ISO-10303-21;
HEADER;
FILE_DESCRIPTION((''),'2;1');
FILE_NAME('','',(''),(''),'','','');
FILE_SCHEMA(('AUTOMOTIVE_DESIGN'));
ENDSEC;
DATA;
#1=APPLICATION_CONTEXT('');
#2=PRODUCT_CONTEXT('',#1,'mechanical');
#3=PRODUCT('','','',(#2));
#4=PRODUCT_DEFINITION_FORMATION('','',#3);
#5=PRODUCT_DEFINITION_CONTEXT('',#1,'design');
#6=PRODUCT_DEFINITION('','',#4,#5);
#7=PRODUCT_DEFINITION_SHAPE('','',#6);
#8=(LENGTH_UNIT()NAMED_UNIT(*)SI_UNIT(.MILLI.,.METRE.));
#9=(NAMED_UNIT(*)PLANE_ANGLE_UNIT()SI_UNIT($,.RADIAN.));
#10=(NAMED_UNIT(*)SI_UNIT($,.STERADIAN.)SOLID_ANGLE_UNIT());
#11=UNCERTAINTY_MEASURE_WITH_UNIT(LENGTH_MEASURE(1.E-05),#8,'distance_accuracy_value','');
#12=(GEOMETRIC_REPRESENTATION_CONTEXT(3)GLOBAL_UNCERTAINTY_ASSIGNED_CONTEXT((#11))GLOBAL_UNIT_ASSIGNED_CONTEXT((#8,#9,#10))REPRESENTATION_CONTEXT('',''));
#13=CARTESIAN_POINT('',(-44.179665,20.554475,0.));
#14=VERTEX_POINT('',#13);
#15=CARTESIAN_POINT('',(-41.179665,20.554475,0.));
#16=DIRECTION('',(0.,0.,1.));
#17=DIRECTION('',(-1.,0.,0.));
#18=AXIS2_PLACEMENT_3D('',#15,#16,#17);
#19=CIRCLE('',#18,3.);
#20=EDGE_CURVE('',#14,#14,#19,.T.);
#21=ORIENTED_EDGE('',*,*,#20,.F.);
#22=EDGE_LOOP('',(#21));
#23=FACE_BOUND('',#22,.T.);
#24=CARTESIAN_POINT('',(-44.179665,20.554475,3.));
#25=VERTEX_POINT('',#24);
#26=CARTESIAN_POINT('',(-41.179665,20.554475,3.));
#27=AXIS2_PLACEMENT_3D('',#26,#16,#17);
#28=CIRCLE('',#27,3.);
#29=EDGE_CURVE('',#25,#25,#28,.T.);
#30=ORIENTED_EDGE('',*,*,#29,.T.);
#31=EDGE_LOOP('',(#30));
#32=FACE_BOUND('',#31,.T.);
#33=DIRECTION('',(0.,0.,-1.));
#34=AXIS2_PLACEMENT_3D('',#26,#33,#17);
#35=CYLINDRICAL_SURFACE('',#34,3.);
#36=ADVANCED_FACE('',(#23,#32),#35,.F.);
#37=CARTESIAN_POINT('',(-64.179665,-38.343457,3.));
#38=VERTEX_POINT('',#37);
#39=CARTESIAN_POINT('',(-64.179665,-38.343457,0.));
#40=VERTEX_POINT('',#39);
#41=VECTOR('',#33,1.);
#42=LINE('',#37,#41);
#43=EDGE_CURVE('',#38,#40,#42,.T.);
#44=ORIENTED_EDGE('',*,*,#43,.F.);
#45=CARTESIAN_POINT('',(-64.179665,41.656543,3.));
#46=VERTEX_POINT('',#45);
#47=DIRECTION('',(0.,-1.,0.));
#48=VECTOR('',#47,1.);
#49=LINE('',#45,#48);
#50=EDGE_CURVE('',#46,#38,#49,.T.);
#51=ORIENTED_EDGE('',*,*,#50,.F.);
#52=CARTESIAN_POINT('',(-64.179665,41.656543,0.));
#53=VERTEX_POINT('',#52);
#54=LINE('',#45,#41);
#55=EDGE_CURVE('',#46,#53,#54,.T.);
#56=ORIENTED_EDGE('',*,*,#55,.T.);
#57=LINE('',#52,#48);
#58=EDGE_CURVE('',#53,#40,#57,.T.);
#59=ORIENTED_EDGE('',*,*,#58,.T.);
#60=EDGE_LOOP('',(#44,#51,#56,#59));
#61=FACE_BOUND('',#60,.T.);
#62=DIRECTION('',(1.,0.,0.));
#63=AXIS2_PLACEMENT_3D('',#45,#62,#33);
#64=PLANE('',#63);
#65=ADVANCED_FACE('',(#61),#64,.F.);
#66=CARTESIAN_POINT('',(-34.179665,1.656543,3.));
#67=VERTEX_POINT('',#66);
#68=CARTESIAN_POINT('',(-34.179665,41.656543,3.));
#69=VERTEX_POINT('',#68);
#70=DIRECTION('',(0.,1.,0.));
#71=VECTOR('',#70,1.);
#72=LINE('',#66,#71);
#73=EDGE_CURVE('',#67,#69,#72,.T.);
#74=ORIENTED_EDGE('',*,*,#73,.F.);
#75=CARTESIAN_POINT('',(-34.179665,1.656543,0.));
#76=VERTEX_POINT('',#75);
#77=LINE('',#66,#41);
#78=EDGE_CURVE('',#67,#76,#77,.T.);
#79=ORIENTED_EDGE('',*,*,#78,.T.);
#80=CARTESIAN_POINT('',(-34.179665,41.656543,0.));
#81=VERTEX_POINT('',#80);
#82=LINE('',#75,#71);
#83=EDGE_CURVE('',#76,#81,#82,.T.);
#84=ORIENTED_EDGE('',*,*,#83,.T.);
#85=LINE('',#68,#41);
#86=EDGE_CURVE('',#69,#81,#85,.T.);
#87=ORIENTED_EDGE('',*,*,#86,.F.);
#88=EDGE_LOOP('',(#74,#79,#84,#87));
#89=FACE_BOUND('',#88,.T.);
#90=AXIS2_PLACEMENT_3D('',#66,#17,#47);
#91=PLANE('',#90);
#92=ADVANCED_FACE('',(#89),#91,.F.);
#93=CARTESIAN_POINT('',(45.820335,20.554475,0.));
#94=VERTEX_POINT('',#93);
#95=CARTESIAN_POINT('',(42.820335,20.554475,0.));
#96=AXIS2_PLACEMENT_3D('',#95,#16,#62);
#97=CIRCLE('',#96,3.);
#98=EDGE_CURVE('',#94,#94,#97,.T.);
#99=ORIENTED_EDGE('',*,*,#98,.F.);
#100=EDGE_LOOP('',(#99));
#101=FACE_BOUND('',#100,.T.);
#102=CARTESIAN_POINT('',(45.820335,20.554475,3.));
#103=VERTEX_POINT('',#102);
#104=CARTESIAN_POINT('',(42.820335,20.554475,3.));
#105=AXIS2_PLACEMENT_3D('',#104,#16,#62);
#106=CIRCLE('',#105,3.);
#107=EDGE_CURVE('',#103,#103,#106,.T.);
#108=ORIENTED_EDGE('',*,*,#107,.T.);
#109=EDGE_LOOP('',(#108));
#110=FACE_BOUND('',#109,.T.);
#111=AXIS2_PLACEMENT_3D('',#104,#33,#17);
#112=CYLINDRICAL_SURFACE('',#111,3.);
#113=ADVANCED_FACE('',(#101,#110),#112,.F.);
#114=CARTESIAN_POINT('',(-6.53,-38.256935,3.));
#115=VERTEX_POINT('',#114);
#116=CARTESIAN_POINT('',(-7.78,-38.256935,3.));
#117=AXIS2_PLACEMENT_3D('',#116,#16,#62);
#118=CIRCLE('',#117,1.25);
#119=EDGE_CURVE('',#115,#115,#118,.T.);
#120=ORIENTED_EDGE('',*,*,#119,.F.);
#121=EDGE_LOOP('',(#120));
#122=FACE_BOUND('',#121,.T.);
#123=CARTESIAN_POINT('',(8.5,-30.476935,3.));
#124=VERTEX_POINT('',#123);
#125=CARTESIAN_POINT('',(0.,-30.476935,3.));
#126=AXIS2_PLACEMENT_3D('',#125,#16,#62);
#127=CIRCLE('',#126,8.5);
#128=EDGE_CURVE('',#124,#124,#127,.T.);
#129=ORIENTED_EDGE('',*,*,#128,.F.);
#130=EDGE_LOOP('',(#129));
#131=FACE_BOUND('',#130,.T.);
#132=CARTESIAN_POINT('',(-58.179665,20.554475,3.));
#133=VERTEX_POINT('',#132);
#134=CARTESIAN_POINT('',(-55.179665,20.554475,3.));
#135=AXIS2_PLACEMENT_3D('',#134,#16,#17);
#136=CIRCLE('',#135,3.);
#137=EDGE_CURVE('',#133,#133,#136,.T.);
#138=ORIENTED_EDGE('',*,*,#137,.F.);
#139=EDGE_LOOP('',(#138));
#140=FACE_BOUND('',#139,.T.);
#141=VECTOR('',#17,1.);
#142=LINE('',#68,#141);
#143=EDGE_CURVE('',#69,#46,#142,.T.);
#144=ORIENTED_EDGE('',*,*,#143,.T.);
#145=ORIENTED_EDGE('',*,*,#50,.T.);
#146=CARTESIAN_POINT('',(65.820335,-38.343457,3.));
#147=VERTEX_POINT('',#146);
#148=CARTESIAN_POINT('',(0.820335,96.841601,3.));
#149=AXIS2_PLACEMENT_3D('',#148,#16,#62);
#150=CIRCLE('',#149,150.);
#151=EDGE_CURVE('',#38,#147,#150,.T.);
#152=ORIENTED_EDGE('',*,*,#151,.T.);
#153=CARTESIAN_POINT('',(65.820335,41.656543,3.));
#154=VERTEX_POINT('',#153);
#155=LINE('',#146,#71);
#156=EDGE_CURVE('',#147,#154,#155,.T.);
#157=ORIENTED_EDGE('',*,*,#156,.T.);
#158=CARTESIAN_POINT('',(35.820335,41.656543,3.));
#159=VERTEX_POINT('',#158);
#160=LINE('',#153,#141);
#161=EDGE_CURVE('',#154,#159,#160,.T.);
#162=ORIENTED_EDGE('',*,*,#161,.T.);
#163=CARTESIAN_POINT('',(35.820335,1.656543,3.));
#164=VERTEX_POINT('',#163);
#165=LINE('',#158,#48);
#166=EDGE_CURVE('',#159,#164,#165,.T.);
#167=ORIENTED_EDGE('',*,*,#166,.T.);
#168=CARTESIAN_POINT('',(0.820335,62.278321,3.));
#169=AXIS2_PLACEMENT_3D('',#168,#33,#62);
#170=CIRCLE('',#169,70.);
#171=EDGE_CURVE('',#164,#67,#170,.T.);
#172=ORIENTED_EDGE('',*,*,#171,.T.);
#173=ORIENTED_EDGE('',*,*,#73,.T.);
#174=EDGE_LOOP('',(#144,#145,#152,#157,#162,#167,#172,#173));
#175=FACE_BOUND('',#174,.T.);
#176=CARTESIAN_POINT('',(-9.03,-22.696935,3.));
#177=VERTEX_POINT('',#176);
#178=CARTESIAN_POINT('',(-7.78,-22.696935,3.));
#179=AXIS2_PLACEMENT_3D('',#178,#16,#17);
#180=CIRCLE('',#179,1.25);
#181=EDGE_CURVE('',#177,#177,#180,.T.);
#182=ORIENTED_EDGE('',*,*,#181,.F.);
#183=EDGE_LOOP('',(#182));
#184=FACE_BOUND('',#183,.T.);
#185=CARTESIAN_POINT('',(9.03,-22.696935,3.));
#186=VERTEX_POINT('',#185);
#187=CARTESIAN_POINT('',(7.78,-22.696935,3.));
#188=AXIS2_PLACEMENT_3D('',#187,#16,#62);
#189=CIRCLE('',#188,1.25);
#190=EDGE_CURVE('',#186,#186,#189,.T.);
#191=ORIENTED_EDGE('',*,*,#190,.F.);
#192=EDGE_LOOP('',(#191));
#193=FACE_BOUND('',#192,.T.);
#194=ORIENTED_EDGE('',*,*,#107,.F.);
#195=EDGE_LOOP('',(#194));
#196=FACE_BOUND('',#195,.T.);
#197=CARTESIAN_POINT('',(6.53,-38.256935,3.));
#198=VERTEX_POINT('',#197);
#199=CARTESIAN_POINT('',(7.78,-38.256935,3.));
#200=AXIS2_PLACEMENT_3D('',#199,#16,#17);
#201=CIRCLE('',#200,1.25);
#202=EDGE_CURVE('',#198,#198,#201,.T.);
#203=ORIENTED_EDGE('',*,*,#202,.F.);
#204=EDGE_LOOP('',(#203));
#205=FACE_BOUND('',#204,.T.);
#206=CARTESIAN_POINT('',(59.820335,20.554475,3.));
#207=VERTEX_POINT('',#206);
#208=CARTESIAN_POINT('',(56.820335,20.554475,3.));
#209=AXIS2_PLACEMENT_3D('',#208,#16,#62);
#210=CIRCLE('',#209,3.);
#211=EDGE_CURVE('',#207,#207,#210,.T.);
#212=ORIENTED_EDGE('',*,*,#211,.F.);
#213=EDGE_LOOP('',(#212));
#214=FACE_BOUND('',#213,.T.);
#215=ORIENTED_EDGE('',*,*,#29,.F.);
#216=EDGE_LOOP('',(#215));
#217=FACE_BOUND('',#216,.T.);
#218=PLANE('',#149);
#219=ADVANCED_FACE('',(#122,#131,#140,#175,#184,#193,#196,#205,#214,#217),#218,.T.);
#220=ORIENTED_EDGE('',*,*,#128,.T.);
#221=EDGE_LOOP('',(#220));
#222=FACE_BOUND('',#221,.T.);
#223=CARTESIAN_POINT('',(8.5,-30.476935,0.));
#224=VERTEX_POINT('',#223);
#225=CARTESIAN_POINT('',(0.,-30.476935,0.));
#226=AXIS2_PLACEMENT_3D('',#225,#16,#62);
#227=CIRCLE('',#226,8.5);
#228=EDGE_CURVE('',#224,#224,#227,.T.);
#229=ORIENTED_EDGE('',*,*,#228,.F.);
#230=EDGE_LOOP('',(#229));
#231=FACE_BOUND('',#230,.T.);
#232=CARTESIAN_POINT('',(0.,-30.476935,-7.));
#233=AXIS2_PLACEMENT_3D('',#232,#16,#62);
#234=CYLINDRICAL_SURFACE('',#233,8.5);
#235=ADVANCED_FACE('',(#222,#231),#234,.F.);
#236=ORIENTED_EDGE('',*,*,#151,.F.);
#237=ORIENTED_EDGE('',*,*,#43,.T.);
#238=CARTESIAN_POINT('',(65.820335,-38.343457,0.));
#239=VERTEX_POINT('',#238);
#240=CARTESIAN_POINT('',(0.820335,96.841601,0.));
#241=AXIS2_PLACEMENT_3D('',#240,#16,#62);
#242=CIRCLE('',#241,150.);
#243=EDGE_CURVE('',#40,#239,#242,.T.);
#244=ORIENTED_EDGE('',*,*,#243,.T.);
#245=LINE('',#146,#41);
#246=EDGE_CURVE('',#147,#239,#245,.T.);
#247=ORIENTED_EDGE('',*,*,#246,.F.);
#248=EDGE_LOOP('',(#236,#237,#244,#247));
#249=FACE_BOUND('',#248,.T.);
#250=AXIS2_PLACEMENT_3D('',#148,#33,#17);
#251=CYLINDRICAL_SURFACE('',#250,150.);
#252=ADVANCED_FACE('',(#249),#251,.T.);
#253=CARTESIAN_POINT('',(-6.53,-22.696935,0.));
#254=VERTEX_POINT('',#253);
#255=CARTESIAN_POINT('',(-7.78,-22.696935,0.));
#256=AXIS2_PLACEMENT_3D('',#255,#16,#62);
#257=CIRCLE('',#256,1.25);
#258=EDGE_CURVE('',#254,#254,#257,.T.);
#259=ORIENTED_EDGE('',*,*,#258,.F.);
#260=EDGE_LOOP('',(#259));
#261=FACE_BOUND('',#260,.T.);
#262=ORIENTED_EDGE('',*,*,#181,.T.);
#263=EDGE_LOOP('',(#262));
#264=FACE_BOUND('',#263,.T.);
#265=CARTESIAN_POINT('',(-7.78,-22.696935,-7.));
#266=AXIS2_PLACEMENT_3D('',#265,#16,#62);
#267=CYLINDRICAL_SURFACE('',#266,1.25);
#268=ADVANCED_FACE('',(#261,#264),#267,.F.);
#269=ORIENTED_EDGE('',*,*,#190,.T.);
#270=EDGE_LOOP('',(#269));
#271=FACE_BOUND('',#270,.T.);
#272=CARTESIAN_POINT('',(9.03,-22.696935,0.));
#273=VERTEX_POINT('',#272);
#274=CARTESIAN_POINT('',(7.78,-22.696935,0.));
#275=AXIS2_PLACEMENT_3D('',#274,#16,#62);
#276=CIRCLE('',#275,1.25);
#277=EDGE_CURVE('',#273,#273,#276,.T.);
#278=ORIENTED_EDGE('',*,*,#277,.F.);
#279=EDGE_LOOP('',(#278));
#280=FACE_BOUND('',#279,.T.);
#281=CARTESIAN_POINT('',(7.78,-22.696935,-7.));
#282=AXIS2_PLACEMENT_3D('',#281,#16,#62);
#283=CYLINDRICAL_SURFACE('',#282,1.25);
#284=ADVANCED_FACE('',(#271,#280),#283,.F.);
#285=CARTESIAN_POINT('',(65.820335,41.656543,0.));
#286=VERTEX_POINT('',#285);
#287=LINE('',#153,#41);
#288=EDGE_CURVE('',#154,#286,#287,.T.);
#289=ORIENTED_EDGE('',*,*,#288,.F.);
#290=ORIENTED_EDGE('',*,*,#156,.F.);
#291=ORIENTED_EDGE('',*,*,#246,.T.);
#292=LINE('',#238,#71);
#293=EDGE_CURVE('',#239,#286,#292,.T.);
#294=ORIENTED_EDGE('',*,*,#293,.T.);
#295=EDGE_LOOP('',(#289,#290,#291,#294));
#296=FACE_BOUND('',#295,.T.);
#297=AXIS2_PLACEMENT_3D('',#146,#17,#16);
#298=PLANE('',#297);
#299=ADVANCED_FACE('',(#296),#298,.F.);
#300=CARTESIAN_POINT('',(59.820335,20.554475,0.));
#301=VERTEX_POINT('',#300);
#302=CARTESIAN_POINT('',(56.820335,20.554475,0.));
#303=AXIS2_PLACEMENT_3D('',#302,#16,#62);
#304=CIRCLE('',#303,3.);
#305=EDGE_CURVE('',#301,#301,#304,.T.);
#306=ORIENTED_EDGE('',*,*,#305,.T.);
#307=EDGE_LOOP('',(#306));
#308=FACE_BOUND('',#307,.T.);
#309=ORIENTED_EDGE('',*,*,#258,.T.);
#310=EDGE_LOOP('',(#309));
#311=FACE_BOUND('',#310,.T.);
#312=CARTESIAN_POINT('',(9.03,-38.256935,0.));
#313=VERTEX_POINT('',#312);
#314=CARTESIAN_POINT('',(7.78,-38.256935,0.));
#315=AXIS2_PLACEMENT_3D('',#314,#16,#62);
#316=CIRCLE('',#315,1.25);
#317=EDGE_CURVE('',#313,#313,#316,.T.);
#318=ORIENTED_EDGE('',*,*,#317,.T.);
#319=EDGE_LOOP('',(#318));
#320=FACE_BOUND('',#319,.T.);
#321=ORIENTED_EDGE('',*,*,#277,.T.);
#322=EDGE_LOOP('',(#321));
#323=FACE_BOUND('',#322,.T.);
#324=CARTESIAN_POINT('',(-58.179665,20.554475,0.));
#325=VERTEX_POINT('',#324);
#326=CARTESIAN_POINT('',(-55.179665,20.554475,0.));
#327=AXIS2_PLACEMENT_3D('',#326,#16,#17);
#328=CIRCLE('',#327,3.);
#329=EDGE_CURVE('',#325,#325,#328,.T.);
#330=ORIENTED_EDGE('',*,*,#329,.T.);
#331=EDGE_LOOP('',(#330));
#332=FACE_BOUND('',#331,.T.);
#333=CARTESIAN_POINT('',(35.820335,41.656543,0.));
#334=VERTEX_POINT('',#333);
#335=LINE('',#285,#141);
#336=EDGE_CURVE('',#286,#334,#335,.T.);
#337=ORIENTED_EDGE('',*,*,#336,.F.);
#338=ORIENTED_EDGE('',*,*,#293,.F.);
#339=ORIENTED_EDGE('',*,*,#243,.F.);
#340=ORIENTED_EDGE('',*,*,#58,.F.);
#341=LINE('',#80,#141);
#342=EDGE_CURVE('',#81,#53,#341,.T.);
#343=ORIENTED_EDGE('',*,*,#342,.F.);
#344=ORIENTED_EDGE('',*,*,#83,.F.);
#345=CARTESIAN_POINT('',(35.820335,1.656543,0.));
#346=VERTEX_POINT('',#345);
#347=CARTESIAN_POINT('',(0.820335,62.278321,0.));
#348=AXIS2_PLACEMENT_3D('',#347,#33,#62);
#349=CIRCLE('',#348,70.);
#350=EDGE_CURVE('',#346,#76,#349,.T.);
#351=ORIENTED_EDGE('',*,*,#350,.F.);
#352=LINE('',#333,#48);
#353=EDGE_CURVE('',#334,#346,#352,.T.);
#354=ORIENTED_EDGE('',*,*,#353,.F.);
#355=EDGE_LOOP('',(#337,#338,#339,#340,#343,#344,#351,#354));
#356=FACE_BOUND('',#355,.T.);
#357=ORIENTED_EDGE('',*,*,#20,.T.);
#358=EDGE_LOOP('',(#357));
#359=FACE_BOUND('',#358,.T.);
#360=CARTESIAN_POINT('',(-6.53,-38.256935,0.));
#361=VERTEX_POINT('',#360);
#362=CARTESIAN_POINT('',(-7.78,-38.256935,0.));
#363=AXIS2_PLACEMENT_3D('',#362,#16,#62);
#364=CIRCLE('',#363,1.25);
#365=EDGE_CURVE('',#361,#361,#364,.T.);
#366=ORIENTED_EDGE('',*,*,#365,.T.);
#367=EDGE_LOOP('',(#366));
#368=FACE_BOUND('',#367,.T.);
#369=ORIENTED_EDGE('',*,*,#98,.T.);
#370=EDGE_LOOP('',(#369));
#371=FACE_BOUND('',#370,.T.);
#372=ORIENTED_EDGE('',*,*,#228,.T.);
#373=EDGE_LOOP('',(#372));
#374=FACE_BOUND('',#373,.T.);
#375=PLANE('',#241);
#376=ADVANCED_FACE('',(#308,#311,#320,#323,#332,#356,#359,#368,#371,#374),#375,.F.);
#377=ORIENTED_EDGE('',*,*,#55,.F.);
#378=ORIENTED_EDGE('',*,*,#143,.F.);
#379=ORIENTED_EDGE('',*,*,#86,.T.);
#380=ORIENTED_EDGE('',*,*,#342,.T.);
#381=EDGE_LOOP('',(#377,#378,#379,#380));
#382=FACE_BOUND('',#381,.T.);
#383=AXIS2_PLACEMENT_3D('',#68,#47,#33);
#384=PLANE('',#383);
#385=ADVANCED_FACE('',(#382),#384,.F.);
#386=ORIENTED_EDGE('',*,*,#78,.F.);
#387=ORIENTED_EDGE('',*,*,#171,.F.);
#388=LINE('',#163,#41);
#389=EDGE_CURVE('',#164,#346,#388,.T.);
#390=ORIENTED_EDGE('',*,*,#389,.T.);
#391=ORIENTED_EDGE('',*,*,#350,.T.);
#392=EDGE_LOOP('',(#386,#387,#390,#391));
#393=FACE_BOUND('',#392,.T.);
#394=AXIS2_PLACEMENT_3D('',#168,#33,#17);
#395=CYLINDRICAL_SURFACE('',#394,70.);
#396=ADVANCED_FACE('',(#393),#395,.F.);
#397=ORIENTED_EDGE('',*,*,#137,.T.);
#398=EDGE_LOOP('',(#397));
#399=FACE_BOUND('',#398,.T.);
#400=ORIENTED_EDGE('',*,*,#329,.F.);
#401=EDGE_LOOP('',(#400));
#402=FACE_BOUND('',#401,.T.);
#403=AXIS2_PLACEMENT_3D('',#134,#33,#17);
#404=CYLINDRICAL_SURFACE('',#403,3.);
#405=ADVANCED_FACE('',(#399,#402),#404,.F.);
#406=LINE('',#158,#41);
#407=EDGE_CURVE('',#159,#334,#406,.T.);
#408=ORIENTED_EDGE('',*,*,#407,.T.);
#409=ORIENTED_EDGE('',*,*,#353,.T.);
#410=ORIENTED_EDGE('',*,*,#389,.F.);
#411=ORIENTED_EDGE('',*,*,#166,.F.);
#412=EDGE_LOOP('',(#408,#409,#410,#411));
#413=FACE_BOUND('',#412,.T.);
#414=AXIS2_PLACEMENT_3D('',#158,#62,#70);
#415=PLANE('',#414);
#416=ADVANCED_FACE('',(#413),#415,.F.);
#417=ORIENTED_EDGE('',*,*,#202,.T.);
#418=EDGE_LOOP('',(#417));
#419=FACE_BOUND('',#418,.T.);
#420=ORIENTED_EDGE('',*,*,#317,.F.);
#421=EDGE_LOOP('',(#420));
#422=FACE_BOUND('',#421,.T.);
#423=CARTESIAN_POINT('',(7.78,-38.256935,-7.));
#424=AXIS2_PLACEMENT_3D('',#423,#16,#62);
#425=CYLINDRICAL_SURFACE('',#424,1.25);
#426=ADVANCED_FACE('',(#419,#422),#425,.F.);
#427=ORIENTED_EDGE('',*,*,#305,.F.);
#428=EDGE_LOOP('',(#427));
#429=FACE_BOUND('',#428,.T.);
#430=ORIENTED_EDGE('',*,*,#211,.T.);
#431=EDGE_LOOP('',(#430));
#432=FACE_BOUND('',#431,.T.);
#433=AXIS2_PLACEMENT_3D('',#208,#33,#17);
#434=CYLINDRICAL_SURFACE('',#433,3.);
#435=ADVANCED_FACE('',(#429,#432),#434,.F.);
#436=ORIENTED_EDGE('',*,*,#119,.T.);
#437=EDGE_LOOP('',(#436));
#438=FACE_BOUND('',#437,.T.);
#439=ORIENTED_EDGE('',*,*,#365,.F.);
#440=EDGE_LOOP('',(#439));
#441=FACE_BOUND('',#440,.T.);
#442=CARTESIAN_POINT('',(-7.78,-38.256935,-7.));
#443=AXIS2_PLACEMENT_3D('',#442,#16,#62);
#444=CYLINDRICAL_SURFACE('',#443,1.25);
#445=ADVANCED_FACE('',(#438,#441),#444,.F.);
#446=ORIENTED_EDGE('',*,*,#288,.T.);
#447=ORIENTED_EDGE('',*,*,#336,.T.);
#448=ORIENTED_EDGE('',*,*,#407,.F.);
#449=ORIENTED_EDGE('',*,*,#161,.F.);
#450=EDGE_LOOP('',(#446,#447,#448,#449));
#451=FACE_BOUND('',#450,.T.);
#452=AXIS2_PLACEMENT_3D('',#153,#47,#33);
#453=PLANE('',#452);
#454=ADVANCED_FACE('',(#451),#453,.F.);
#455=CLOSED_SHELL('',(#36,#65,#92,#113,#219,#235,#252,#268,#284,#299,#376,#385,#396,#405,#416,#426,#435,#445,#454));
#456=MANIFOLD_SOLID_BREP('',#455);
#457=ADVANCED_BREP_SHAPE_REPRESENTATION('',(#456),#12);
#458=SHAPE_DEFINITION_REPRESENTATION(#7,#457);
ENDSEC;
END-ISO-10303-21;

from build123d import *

# Parameters (mm, degrees)
SKETCH1_R           = 3
BOSS_EXTRUDE2_DEPTH = 3
SKETCH4_R           = 1.25
SKETCH4_R_2         = 8.5
CUT_EXTRUDE2_DEPTH  = 10


with BuildPart() as part:
    # Sketch1 → Boss-Extrude2 (new body)
    with BuildSketch(Plane.XY):
        with BuildLine():
            Line((-34.17966517, 1.656542757), (-34.17966517, 41.656542757))
            Line((-34.17966517, 41.656542757), (-64.17966517, 41.656542757))
            Line((-64.17966517, 41.656542757), (-64.17966517, -38.343457243))
            ThreePointArc((-64.17966517, -38.343457243), (0.82033483, -53.158398897), (65.82033483, -38.343457243))
            Line((65.82033483, -38.343457243), (65.82033483, 41.656542757))
            Line((65.82033483, 41.656542757), (35.82033483, 41.656542757))
            Line((35.82033483, 41.656542757), (35.82033483, 1.656542757))
            ThreePointArc((35.82033483, 1.656542757), (0.82033483, -7.721678978), (-34.17966517, 1.656542757))
        make_face()
        with Locations((56.82033483, 20.554474708)):
            Circle(SKETCH1_R, mode=Mode.SUBTRACT)
        with Locations((42.82033483, 20.554474708)):
            Circle(SKETCH1_R, mode=Mode.SUBTRACT)
        with Locations((-55.17966517, 20.554474708)):
            Circle(SKETCH1_R, mode=Mode.SUBTRACT)
        with Locations((-41.17966517, 20.554474708)):
            Circle(SKETCH1_R, mode=Mode.SUBTRACT)
    extrude(amount=BOSS_EXTRUDE2_DEPTH)

    # Sketch4 → Cut-Extrude2 (cut)
    with BuildSketch(Plane.XY.offset(3)):
        with Locations((7.78, -22.696934593)):
            Circle(SKETCH4_R)
        with Locations((7.78, -38.256934593)):
            Circle(SKETCH4_R)
        with Locations((-7.78, -38.256934593)):
            Circle(SKETCH4_R)
        with Locations((-7.78, -22.696934593)):
            Circle(SKETCH4_R)
        with Locations((0, -30.476934593)):
            Circle(SKETCH4_R_2)
    extrude(amount=-CUT_EXTRUDE2_DEPTH, mode=Mode.SUBTRACT)


solid = part.part
